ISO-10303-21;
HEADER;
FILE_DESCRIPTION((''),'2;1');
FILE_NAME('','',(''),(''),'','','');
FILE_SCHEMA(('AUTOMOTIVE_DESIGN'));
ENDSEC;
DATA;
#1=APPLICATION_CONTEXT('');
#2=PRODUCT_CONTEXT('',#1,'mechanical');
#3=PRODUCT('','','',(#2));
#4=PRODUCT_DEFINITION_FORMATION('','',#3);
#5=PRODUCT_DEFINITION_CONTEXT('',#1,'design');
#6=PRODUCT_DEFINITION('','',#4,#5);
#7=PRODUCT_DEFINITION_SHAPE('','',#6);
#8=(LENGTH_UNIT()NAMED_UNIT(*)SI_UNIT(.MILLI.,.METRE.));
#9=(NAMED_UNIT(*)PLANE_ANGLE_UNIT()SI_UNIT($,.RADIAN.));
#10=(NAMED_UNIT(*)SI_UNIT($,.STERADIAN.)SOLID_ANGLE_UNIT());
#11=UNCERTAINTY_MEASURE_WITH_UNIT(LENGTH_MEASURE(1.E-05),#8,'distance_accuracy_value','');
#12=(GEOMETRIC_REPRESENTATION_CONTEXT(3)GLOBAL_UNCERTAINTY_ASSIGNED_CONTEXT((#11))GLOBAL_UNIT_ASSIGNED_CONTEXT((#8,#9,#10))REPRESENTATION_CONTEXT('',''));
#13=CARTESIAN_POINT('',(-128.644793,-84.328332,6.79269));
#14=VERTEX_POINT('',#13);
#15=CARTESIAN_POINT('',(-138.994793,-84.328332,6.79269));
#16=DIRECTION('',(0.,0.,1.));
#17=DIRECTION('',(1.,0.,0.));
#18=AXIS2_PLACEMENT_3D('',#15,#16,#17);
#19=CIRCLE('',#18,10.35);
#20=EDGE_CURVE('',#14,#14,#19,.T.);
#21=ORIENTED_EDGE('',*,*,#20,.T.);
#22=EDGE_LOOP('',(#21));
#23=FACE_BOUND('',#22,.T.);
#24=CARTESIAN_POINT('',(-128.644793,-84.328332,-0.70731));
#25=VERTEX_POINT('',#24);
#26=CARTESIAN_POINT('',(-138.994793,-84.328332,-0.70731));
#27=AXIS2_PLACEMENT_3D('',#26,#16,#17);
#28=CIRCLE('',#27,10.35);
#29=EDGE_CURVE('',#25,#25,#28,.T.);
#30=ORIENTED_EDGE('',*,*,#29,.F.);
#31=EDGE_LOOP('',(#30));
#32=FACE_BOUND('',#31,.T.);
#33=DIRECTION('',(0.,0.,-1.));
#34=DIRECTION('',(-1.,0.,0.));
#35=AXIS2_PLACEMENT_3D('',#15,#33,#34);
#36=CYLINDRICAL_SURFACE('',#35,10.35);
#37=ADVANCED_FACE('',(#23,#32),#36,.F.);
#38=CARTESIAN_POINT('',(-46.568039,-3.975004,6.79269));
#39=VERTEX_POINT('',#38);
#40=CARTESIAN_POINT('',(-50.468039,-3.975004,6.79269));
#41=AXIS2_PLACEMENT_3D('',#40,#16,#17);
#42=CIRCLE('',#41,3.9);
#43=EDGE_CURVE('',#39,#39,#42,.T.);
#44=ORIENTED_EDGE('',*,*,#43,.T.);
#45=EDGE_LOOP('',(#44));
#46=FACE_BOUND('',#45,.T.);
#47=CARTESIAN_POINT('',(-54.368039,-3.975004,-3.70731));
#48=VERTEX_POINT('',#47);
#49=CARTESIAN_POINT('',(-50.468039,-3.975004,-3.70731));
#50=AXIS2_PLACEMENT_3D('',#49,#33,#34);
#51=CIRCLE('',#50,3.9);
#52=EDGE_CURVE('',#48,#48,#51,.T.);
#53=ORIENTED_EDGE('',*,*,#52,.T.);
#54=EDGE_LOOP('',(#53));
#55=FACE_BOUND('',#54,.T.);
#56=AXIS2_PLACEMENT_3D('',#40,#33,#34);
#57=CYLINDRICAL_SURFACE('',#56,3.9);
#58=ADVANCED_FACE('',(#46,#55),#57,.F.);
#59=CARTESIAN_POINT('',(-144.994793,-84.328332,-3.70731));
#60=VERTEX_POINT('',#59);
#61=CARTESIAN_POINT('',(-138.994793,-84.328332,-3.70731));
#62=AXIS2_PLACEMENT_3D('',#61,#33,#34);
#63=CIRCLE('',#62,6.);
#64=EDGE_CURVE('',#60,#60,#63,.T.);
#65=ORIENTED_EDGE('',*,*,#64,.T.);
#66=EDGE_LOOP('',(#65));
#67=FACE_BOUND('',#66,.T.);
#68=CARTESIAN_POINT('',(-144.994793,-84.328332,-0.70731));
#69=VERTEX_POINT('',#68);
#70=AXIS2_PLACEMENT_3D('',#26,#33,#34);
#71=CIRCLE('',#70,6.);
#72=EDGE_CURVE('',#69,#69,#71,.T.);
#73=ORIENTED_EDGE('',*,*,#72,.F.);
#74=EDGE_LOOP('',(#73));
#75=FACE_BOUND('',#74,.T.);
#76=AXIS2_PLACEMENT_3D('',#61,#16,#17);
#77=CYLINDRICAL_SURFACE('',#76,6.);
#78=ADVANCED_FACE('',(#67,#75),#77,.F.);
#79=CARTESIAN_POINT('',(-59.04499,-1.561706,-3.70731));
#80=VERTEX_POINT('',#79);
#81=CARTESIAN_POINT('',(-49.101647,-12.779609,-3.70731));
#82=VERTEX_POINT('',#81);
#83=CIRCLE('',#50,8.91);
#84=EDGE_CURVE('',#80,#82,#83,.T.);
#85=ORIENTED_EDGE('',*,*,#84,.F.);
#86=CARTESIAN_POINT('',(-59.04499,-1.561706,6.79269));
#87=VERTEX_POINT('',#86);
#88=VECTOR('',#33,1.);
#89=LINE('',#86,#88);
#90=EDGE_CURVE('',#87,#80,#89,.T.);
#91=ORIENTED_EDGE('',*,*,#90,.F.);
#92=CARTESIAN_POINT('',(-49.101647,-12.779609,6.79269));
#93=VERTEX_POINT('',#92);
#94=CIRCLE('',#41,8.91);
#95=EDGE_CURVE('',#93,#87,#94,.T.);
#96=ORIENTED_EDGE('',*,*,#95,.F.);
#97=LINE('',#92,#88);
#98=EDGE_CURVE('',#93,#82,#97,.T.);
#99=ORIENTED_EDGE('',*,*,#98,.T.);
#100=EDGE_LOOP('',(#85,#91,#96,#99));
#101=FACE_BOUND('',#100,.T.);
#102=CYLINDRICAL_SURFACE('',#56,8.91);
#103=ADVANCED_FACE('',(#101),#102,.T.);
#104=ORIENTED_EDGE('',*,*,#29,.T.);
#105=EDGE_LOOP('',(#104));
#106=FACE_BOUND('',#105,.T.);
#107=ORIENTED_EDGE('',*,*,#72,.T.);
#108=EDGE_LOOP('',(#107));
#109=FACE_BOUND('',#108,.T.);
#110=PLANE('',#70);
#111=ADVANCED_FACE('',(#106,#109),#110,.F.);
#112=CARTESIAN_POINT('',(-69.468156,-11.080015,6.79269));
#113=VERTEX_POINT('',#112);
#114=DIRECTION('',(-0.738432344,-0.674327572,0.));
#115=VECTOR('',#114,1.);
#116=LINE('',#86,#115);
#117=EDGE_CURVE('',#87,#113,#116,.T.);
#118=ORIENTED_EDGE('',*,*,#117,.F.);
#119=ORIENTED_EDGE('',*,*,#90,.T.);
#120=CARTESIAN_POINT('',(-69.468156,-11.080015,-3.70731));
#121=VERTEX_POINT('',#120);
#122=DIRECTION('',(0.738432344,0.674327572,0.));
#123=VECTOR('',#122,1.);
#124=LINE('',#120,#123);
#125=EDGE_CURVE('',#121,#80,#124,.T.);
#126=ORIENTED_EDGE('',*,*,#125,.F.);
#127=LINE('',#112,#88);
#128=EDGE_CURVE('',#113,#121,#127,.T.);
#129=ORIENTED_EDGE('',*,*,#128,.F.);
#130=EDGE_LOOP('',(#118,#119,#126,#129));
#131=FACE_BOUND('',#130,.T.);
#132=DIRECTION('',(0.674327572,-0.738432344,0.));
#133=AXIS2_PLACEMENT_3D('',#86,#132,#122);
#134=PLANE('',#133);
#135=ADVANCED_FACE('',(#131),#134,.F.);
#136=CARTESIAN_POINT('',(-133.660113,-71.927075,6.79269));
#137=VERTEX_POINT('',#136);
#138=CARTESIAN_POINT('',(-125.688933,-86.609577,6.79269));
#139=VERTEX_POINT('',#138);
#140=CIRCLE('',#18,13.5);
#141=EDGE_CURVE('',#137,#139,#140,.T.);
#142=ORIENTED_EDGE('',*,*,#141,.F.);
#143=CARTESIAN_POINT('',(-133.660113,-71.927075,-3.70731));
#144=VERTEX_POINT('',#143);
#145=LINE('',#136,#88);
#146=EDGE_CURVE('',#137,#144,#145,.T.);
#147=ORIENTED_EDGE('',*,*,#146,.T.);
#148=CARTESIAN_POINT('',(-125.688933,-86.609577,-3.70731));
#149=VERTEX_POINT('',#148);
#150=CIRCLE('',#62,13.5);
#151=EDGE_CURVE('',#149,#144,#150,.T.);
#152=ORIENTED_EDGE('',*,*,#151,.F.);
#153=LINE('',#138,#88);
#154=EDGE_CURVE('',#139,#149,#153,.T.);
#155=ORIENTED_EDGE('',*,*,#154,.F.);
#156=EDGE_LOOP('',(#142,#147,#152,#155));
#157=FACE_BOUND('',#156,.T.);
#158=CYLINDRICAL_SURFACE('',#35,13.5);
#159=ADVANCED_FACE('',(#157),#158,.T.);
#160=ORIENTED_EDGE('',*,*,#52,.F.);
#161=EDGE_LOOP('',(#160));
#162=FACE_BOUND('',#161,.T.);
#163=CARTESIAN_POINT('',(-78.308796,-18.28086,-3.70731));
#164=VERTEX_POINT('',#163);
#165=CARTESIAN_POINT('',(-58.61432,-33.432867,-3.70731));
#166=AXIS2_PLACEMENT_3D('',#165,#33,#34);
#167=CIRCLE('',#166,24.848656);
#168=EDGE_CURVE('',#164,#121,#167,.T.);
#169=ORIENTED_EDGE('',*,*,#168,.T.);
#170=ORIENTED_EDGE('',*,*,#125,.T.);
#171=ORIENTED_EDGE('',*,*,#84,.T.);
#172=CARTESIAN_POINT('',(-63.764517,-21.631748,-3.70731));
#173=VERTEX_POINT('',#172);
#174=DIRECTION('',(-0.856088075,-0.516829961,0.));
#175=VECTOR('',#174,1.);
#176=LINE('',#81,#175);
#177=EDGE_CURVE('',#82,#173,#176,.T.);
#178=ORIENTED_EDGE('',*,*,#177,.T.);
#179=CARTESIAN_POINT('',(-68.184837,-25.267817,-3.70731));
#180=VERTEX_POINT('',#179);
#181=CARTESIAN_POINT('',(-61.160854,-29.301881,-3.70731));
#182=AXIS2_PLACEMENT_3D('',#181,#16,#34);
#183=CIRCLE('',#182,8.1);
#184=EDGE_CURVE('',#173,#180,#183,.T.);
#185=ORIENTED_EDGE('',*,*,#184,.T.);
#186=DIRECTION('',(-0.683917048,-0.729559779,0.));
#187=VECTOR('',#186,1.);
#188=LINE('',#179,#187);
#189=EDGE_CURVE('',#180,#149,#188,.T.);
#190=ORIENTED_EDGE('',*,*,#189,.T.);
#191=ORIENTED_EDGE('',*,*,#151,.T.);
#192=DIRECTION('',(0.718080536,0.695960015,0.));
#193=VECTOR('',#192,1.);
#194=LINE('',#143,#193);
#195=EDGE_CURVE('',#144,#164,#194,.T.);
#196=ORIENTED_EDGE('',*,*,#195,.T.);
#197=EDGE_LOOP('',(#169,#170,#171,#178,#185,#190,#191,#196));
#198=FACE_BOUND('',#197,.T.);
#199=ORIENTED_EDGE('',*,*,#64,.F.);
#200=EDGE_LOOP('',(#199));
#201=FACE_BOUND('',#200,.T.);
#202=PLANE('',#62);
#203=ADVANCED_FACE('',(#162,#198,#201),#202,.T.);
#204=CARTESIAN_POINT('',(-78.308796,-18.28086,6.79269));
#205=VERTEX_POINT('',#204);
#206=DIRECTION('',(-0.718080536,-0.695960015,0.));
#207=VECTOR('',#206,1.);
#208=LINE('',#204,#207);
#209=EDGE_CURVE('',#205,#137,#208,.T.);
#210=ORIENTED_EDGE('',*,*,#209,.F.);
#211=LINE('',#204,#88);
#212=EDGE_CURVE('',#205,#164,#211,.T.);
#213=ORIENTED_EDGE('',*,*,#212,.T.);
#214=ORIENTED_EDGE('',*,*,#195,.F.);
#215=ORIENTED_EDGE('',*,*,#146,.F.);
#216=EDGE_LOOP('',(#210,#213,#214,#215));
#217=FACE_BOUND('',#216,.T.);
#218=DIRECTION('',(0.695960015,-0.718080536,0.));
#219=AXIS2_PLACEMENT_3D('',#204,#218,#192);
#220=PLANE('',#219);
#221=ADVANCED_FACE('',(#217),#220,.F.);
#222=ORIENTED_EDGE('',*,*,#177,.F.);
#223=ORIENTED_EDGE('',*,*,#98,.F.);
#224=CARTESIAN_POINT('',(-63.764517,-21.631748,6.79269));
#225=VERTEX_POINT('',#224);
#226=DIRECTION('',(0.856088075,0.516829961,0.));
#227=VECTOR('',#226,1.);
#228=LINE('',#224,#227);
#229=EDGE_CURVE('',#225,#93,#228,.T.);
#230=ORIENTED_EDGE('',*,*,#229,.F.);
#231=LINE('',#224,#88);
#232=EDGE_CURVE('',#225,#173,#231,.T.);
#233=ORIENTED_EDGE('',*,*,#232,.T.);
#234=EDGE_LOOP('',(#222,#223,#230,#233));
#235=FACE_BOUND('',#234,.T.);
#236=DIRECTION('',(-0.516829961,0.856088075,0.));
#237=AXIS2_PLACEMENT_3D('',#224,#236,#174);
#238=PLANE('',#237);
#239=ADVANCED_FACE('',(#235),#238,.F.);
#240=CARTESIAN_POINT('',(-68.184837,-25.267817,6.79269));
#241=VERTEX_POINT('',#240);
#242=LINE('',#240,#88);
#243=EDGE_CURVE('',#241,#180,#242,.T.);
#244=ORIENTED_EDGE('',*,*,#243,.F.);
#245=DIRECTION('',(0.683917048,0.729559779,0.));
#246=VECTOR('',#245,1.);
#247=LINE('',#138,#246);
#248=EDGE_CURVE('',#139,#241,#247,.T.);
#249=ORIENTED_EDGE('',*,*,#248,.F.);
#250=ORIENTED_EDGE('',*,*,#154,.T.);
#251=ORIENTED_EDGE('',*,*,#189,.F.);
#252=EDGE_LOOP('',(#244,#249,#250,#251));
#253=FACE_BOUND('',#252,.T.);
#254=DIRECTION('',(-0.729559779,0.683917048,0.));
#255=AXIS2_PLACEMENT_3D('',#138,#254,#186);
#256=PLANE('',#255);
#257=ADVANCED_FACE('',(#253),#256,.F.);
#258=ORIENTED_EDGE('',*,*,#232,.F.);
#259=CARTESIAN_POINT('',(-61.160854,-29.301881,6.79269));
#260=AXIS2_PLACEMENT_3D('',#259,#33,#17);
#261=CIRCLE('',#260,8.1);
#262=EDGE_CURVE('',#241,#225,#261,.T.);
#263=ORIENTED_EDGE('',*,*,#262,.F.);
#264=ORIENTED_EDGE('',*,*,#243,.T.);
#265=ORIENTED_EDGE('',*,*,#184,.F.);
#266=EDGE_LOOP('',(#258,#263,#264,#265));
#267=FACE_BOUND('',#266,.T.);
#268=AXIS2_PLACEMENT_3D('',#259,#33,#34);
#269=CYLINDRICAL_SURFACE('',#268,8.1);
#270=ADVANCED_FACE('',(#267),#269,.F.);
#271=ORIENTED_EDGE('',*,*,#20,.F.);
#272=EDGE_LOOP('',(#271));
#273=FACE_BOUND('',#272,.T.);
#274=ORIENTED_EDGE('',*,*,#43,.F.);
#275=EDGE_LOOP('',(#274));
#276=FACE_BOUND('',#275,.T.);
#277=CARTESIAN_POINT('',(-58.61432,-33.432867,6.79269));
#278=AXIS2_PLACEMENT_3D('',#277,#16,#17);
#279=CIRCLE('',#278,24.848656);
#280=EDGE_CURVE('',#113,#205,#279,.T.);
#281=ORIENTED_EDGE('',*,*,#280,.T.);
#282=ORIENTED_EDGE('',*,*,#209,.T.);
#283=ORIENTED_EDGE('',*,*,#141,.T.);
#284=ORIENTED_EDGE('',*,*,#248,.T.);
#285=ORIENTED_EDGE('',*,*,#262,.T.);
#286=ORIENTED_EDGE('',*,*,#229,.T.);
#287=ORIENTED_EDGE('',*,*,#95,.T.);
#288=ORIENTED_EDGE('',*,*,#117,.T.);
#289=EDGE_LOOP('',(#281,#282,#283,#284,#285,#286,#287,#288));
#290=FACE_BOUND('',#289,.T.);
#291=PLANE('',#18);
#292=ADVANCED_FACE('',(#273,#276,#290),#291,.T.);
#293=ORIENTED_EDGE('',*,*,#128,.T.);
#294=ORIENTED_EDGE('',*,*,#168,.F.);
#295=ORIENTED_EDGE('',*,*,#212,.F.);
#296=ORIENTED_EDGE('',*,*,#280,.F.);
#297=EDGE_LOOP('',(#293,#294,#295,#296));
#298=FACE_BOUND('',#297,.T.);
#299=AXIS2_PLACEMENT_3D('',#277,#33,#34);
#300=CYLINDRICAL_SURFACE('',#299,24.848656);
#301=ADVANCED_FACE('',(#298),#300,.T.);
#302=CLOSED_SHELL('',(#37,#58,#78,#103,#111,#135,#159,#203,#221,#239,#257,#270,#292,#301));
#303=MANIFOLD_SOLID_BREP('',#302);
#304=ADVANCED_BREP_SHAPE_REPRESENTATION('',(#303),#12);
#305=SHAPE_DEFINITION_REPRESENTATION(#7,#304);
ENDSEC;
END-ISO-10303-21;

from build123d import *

# Parameters (mm, degrees)
SKETCH1_R           = 2.6
SKETCH1_R_2         = 6.9
BOSS_EXTRUDE1_DEPTH = 5
BOSS_EXTRUDE2_START = 2
SKETCH2_R           = 4
SKETCH2_R_2         = 2.6
BOSS_EXTRUDE2_DEPTH = 2
SCALE1_SCALE        = 1.5


with BuildPart() as part:
    # Sketch1 → Boss-Extrude1 (new body)
    with BuildSketch(Plane.XY):
        with BuildLine():
            Line((-116.116459466, -73.116163472), (-77.780395614, -32.221656848))
            ThreePointArc((-77.780395614, -32.221656848), (-76.528201342, -30.740668075), (-74.833515464, -29.797610273))
            Line((-74.833515464, -29.797610273), (-65.058269204, -23.896184603))
            ThreePointArc((-65.058269204, -23.896184603), (-61.52405595, -14.086356432), (-71.687164611, -16.417582375))
            Line((-71.687164611, -16.417582375), (-78.635941465, -22.763122171))
            ThreePointArc((-78.635941465, -22.763122171), (-81.861894444, -24.820779517), (-84.529701766, -27.563684997))
            Line((-84.529701766, -27.563684997), (-121.430579381, -63.327828505))
            ThreePointArc((-121.430579381, -63.327828505), (-132.896560675, -75.889442497), (-116.116459466, -73.116163472))
        make_face()
        with Locations((-65.969197132, -18.026447785)):
            Circle(SKETCH1_R, mode=Mode.SUBTRACT)
        with Locations((-124.987033061, -71.595333402)):
            Circle(SKETCH1_R_2, mode=Mode.SUBTRACT)
    extrude(amount=BOSS_EXTRUDE1_DEPTH)

    # Sketch2 → Boss-Extrude2 (add)
    with BuildSketch(Plane(origin=(0, 0, 0), x_dir=(-1, 0, 0), z_dir=(0, 0, -1)).offset(BOSS_EXTRUDE2_START)):
        with BuildLine():
            Line((121.430579381, -63.327828505), (84.529701766, -27.563684997))
            ThreePointArc((84.529701766, -27.563684997), (81.861894444, -24.820779517), (78.635941465, -22.763122171))
            Line((78.635941465, -22.763122171), (71.687164611, -16.417582375))
            ThreePointArc((71.687164611, -16.417582375), (61.52405595, -14.086356432), (65.058269204, -23.896184603))
            Line((65.058269204, -23.896184603), (74.833515464, -29.797610273))
            ThreePointArc((74.833515464, -29.797610273), (76.528201342, -30.740668075), (77.780395614, -32.221656848))
            Line((77.780395614, -32.221656848), (116.116459466, -73.116163472))
            ThreePointArc((116.116459466, -73.116163472), (132.896560675, -75.889442497), (121.430579381, -63.327828505))
        make_face()
        with Locations((124.987033061, -71.595333402)):
            Circle(SKETCH2_R, mode=Mode.SUBTRACT)
        with Locations((65.969197132, -18.026447785)):
            Circle(SKETCH2_R_2, mode=Mode.SUBTRACT)
    extrude(amount=-BOSS_EXTRUDE2_DEPTH)


with BuildPart() as part_1:
    # Scale1: scaled about (-96.971512975, -46.1293356, 1.414619299)
    add(part.part.scale(SCALE1_SCALE).moved(Location((48.485756487, 23.0646678, -0.707309649))))


solid = part_1.part
